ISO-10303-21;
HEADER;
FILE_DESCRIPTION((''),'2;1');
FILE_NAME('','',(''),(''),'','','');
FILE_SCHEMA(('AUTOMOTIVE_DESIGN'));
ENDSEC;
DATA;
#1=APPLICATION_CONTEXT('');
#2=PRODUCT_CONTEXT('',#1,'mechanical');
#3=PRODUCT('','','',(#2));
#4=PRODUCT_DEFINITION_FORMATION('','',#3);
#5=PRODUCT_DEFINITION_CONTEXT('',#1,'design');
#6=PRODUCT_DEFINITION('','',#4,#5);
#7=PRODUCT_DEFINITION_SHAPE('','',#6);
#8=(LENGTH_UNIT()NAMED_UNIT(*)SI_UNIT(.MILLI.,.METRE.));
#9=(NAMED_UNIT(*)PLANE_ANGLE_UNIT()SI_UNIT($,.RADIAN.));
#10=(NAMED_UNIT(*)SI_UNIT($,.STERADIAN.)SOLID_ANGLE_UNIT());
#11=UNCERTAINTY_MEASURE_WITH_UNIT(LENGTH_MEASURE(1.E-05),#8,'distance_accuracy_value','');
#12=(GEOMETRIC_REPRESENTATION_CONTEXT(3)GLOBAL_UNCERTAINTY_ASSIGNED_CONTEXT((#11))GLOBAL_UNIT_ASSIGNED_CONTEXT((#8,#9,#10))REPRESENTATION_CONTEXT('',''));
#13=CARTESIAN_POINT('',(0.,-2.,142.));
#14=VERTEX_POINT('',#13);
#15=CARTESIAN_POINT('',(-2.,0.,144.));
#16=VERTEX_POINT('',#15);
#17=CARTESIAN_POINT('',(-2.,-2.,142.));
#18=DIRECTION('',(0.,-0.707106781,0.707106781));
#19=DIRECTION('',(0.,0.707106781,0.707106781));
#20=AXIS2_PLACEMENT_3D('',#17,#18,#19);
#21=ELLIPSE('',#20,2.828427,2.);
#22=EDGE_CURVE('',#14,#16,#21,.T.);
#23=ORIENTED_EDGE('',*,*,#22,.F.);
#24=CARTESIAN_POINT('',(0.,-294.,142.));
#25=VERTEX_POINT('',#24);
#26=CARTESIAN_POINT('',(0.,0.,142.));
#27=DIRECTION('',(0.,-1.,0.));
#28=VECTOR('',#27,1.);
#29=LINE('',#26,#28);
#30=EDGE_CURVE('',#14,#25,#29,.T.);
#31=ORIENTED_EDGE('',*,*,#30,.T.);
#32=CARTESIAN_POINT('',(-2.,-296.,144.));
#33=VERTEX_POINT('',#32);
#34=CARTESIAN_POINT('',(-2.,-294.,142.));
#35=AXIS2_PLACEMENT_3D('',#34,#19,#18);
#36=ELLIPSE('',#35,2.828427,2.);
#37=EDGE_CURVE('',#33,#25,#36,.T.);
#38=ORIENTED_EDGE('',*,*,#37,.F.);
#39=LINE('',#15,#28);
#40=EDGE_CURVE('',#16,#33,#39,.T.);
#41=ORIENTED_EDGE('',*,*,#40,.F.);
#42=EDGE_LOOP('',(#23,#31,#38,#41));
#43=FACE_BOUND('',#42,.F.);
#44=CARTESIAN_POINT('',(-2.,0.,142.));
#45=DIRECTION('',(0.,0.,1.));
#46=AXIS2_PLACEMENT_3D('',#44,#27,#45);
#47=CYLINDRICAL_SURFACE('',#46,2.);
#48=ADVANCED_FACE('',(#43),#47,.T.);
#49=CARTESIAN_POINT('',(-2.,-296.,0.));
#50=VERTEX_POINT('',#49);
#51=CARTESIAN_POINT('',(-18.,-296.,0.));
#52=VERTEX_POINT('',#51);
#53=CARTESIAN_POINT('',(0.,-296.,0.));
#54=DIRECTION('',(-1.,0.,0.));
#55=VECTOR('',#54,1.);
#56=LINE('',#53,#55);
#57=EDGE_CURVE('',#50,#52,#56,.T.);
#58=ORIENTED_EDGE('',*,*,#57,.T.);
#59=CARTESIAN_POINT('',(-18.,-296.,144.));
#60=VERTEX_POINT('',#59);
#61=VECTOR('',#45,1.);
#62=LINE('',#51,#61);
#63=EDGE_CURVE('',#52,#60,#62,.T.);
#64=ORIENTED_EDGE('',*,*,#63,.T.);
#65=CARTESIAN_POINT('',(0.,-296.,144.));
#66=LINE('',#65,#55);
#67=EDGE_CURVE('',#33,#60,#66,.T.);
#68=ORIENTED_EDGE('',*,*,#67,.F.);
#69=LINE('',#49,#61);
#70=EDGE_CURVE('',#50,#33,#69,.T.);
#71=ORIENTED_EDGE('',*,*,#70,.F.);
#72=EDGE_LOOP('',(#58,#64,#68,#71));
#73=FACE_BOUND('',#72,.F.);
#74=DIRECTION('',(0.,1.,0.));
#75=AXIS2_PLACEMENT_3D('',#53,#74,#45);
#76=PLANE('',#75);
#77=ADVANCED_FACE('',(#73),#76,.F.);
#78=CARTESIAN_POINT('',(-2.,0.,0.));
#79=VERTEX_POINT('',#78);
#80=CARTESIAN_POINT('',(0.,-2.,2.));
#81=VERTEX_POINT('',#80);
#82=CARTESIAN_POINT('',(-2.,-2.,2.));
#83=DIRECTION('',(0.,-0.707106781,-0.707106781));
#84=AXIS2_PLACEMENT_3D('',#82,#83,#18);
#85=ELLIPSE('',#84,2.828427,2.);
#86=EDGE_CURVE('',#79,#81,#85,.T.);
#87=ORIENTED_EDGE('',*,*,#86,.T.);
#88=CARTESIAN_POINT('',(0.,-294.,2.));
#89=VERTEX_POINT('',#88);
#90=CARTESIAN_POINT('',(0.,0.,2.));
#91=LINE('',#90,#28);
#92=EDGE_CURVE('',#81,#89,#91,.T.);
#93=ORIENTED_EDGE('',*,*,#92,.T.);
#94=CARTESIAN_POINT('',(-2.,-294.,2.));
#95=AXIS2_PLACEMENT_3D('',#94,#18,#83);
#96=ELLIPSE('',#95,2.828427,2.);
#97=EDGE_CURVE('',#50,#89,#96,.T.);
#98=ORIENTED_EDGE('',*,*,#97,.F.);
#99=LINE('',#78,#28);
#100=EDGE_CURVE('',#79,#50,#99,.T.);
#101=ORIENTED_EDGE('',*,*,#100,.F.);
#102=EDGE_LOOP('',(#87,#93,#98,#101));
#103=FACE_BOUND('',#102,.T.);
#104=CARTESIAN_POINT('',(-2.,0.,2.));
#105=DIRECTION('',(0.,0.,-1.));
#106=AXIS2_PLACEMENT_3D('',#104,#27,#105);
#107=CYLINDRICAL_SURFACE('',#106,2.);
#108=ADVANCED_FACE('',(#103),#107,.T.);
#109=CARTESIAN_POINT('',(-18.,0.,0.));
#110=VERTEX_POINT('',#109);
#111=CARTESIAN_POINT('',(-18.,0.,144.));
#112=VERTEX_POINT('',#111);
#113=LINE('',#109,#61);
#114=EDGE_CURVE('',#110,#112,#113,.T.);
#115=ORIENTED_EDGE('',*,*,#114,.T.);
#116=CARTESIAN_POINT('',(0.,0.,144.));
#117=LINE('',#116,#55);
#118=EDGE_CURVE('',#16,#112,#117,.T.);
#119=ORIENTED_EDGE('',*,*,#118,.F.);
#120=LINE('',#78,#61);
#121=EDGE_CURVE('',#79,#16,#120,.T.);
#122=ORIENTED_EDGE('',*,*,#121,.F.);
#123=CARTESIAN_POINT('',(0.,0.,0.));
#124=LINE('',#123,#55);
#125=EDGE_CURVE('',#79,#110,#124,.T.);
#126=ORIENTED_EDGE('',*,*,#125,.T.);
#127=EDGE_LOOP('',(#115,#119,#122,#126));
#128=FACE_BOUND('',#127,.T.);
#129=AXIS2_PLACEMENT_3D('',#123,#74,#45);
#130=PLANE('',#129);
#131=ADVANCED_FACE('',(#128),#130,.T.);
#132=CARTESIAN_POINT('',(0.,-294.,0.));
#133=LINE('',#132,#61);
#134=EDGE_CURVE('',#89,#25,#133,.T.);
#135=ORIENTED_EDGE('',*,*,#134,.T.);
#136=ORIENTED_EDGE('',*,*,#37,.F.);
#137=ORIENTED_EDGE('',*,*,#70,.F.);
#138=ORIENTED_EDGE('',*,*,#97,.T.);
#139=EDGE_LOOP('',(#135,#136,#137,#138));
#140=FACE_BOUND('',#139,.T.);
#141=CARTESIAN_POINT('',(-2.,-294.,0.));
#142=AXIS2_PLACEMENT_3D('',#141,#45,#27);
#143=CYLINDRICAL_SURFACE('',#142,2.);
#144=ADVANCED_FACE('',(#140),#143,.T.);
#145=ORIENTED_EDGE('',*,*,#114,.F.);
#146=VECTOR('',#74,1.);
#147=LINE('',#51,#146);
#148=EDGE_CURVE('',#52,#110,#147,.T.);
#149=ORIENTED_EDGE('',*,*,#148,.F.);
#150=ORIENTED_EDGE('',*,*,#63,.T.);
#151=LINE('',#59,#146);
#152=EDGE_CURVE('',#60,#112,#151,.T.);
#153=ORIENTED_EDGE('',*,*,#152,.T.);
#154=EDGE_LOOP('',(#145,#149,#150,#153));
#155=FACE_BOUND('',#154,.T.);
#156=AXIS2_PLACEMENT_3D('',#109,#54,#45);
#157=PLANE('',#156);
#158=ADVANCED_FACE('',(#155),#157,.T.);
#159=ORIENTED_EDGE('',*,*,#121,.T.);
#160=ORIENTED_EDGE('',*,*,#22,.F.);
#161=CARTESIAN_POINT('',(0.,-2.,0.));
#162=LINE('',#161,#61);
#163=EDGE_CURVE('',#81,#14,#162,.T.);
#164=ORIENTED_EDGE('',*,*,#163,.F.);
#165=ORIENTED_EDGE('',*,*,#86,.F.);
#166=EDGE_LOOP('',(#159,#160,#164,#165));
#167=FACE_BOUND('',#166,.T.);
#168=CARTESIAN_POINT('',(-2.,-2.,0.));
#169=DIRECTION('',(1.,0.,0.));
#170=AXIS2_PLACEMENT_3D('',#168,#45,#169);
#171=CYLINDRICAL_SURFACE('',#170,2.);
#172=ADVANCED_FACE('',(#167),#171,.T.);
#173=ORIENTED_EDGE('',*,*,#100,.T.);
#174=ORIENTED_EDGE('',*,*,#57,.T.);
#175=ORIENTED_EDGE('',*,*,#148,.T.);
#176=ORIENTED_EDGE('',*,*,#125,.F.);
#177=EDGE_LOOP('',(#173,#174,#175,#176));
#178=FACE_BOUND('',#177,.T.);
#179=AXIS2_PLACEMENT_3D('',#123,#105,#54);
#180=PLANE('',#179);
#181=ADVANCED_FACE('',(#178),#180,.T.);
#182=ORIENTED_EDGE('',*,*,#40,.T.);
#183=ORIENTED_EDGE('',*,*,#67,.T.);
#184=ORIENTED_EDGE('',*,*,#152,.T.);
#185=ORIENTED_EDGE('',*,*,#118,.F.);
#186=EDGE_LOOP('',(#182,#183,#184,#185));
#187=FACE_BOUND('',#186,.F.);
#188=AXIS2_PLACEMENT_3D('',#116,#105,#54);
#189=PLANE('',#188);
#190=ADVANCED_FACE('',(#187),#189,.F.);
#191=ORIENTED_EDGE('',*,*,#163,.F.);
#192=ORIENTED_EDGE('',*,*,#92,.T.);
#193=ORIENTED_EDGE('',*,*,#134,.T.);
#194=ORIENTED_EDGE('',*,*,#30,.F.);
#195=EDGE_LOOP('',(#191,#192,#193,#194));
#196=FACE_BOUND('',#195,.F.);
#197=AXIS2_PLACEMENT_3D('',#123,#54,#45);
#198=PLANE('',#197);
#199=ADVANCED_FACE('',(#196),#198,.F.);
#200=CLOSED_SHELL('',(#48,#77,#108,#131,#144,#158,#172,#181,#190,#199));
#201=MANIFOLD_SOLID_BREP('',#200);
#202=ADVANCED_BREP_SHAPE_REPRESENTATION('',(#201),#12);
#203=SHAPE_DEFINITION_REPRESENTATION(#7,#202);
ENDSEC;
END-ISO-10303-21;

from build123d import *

# Parameters (mm, degrees)
F0_W     = 43.0421233177
F0_H     = 34.4761312008
F1_DEPTH = 25
F2_DEPTH = 144
F3_DEPTH = 18
F4_DEPTH = 296
F5_R     = 2


with BuildPart() as f1:
    # F0 (on Right) → F1 (new body)
    with BuildSketch(Plane.YZ):
        with Locations((-21.5210616589, 17.2380656004)):
            Rectangle(F0_W, F0_H)
    extrude(amount=-F1_DEPTH)

    # F2 (add): a face of the model
    f2_faces = [f1.faces().sort_by_distance(p)[0] for p in [
        (-12.5, -21.5210616589, 0),
    ]]
    extrude(f2_faces, amount=-F2_DEPTH)

    # F3 (intersect): a face of the model
    f3_faces = [f1.faces().sort_by_distance(p)[0] for p in [
        (0, -21.5210616589, 72),
    ]]
    extrude(f3_faces, amount=-F3_DEPTH, mode=Mode.INTERSECT)

    # F4 (add): a face of the model
    f4_faces = [f1.faces().sort_by_distance(p)[0] for p in [
        (-9, 0, 72),
    ]]
    extrude(f4_faces, amount=-F4_DEPTH)

    # F5
    f5_edges = [f1.edges().sort_by_distance(p)[0] for p in [
        (0, -148, 0),
        (0, 0, 72),
        (0, -148, 144),
        (0, -296, 72),
    ]]
    fillet(f5_edges, radius=F5_R)


solid = f1.part
